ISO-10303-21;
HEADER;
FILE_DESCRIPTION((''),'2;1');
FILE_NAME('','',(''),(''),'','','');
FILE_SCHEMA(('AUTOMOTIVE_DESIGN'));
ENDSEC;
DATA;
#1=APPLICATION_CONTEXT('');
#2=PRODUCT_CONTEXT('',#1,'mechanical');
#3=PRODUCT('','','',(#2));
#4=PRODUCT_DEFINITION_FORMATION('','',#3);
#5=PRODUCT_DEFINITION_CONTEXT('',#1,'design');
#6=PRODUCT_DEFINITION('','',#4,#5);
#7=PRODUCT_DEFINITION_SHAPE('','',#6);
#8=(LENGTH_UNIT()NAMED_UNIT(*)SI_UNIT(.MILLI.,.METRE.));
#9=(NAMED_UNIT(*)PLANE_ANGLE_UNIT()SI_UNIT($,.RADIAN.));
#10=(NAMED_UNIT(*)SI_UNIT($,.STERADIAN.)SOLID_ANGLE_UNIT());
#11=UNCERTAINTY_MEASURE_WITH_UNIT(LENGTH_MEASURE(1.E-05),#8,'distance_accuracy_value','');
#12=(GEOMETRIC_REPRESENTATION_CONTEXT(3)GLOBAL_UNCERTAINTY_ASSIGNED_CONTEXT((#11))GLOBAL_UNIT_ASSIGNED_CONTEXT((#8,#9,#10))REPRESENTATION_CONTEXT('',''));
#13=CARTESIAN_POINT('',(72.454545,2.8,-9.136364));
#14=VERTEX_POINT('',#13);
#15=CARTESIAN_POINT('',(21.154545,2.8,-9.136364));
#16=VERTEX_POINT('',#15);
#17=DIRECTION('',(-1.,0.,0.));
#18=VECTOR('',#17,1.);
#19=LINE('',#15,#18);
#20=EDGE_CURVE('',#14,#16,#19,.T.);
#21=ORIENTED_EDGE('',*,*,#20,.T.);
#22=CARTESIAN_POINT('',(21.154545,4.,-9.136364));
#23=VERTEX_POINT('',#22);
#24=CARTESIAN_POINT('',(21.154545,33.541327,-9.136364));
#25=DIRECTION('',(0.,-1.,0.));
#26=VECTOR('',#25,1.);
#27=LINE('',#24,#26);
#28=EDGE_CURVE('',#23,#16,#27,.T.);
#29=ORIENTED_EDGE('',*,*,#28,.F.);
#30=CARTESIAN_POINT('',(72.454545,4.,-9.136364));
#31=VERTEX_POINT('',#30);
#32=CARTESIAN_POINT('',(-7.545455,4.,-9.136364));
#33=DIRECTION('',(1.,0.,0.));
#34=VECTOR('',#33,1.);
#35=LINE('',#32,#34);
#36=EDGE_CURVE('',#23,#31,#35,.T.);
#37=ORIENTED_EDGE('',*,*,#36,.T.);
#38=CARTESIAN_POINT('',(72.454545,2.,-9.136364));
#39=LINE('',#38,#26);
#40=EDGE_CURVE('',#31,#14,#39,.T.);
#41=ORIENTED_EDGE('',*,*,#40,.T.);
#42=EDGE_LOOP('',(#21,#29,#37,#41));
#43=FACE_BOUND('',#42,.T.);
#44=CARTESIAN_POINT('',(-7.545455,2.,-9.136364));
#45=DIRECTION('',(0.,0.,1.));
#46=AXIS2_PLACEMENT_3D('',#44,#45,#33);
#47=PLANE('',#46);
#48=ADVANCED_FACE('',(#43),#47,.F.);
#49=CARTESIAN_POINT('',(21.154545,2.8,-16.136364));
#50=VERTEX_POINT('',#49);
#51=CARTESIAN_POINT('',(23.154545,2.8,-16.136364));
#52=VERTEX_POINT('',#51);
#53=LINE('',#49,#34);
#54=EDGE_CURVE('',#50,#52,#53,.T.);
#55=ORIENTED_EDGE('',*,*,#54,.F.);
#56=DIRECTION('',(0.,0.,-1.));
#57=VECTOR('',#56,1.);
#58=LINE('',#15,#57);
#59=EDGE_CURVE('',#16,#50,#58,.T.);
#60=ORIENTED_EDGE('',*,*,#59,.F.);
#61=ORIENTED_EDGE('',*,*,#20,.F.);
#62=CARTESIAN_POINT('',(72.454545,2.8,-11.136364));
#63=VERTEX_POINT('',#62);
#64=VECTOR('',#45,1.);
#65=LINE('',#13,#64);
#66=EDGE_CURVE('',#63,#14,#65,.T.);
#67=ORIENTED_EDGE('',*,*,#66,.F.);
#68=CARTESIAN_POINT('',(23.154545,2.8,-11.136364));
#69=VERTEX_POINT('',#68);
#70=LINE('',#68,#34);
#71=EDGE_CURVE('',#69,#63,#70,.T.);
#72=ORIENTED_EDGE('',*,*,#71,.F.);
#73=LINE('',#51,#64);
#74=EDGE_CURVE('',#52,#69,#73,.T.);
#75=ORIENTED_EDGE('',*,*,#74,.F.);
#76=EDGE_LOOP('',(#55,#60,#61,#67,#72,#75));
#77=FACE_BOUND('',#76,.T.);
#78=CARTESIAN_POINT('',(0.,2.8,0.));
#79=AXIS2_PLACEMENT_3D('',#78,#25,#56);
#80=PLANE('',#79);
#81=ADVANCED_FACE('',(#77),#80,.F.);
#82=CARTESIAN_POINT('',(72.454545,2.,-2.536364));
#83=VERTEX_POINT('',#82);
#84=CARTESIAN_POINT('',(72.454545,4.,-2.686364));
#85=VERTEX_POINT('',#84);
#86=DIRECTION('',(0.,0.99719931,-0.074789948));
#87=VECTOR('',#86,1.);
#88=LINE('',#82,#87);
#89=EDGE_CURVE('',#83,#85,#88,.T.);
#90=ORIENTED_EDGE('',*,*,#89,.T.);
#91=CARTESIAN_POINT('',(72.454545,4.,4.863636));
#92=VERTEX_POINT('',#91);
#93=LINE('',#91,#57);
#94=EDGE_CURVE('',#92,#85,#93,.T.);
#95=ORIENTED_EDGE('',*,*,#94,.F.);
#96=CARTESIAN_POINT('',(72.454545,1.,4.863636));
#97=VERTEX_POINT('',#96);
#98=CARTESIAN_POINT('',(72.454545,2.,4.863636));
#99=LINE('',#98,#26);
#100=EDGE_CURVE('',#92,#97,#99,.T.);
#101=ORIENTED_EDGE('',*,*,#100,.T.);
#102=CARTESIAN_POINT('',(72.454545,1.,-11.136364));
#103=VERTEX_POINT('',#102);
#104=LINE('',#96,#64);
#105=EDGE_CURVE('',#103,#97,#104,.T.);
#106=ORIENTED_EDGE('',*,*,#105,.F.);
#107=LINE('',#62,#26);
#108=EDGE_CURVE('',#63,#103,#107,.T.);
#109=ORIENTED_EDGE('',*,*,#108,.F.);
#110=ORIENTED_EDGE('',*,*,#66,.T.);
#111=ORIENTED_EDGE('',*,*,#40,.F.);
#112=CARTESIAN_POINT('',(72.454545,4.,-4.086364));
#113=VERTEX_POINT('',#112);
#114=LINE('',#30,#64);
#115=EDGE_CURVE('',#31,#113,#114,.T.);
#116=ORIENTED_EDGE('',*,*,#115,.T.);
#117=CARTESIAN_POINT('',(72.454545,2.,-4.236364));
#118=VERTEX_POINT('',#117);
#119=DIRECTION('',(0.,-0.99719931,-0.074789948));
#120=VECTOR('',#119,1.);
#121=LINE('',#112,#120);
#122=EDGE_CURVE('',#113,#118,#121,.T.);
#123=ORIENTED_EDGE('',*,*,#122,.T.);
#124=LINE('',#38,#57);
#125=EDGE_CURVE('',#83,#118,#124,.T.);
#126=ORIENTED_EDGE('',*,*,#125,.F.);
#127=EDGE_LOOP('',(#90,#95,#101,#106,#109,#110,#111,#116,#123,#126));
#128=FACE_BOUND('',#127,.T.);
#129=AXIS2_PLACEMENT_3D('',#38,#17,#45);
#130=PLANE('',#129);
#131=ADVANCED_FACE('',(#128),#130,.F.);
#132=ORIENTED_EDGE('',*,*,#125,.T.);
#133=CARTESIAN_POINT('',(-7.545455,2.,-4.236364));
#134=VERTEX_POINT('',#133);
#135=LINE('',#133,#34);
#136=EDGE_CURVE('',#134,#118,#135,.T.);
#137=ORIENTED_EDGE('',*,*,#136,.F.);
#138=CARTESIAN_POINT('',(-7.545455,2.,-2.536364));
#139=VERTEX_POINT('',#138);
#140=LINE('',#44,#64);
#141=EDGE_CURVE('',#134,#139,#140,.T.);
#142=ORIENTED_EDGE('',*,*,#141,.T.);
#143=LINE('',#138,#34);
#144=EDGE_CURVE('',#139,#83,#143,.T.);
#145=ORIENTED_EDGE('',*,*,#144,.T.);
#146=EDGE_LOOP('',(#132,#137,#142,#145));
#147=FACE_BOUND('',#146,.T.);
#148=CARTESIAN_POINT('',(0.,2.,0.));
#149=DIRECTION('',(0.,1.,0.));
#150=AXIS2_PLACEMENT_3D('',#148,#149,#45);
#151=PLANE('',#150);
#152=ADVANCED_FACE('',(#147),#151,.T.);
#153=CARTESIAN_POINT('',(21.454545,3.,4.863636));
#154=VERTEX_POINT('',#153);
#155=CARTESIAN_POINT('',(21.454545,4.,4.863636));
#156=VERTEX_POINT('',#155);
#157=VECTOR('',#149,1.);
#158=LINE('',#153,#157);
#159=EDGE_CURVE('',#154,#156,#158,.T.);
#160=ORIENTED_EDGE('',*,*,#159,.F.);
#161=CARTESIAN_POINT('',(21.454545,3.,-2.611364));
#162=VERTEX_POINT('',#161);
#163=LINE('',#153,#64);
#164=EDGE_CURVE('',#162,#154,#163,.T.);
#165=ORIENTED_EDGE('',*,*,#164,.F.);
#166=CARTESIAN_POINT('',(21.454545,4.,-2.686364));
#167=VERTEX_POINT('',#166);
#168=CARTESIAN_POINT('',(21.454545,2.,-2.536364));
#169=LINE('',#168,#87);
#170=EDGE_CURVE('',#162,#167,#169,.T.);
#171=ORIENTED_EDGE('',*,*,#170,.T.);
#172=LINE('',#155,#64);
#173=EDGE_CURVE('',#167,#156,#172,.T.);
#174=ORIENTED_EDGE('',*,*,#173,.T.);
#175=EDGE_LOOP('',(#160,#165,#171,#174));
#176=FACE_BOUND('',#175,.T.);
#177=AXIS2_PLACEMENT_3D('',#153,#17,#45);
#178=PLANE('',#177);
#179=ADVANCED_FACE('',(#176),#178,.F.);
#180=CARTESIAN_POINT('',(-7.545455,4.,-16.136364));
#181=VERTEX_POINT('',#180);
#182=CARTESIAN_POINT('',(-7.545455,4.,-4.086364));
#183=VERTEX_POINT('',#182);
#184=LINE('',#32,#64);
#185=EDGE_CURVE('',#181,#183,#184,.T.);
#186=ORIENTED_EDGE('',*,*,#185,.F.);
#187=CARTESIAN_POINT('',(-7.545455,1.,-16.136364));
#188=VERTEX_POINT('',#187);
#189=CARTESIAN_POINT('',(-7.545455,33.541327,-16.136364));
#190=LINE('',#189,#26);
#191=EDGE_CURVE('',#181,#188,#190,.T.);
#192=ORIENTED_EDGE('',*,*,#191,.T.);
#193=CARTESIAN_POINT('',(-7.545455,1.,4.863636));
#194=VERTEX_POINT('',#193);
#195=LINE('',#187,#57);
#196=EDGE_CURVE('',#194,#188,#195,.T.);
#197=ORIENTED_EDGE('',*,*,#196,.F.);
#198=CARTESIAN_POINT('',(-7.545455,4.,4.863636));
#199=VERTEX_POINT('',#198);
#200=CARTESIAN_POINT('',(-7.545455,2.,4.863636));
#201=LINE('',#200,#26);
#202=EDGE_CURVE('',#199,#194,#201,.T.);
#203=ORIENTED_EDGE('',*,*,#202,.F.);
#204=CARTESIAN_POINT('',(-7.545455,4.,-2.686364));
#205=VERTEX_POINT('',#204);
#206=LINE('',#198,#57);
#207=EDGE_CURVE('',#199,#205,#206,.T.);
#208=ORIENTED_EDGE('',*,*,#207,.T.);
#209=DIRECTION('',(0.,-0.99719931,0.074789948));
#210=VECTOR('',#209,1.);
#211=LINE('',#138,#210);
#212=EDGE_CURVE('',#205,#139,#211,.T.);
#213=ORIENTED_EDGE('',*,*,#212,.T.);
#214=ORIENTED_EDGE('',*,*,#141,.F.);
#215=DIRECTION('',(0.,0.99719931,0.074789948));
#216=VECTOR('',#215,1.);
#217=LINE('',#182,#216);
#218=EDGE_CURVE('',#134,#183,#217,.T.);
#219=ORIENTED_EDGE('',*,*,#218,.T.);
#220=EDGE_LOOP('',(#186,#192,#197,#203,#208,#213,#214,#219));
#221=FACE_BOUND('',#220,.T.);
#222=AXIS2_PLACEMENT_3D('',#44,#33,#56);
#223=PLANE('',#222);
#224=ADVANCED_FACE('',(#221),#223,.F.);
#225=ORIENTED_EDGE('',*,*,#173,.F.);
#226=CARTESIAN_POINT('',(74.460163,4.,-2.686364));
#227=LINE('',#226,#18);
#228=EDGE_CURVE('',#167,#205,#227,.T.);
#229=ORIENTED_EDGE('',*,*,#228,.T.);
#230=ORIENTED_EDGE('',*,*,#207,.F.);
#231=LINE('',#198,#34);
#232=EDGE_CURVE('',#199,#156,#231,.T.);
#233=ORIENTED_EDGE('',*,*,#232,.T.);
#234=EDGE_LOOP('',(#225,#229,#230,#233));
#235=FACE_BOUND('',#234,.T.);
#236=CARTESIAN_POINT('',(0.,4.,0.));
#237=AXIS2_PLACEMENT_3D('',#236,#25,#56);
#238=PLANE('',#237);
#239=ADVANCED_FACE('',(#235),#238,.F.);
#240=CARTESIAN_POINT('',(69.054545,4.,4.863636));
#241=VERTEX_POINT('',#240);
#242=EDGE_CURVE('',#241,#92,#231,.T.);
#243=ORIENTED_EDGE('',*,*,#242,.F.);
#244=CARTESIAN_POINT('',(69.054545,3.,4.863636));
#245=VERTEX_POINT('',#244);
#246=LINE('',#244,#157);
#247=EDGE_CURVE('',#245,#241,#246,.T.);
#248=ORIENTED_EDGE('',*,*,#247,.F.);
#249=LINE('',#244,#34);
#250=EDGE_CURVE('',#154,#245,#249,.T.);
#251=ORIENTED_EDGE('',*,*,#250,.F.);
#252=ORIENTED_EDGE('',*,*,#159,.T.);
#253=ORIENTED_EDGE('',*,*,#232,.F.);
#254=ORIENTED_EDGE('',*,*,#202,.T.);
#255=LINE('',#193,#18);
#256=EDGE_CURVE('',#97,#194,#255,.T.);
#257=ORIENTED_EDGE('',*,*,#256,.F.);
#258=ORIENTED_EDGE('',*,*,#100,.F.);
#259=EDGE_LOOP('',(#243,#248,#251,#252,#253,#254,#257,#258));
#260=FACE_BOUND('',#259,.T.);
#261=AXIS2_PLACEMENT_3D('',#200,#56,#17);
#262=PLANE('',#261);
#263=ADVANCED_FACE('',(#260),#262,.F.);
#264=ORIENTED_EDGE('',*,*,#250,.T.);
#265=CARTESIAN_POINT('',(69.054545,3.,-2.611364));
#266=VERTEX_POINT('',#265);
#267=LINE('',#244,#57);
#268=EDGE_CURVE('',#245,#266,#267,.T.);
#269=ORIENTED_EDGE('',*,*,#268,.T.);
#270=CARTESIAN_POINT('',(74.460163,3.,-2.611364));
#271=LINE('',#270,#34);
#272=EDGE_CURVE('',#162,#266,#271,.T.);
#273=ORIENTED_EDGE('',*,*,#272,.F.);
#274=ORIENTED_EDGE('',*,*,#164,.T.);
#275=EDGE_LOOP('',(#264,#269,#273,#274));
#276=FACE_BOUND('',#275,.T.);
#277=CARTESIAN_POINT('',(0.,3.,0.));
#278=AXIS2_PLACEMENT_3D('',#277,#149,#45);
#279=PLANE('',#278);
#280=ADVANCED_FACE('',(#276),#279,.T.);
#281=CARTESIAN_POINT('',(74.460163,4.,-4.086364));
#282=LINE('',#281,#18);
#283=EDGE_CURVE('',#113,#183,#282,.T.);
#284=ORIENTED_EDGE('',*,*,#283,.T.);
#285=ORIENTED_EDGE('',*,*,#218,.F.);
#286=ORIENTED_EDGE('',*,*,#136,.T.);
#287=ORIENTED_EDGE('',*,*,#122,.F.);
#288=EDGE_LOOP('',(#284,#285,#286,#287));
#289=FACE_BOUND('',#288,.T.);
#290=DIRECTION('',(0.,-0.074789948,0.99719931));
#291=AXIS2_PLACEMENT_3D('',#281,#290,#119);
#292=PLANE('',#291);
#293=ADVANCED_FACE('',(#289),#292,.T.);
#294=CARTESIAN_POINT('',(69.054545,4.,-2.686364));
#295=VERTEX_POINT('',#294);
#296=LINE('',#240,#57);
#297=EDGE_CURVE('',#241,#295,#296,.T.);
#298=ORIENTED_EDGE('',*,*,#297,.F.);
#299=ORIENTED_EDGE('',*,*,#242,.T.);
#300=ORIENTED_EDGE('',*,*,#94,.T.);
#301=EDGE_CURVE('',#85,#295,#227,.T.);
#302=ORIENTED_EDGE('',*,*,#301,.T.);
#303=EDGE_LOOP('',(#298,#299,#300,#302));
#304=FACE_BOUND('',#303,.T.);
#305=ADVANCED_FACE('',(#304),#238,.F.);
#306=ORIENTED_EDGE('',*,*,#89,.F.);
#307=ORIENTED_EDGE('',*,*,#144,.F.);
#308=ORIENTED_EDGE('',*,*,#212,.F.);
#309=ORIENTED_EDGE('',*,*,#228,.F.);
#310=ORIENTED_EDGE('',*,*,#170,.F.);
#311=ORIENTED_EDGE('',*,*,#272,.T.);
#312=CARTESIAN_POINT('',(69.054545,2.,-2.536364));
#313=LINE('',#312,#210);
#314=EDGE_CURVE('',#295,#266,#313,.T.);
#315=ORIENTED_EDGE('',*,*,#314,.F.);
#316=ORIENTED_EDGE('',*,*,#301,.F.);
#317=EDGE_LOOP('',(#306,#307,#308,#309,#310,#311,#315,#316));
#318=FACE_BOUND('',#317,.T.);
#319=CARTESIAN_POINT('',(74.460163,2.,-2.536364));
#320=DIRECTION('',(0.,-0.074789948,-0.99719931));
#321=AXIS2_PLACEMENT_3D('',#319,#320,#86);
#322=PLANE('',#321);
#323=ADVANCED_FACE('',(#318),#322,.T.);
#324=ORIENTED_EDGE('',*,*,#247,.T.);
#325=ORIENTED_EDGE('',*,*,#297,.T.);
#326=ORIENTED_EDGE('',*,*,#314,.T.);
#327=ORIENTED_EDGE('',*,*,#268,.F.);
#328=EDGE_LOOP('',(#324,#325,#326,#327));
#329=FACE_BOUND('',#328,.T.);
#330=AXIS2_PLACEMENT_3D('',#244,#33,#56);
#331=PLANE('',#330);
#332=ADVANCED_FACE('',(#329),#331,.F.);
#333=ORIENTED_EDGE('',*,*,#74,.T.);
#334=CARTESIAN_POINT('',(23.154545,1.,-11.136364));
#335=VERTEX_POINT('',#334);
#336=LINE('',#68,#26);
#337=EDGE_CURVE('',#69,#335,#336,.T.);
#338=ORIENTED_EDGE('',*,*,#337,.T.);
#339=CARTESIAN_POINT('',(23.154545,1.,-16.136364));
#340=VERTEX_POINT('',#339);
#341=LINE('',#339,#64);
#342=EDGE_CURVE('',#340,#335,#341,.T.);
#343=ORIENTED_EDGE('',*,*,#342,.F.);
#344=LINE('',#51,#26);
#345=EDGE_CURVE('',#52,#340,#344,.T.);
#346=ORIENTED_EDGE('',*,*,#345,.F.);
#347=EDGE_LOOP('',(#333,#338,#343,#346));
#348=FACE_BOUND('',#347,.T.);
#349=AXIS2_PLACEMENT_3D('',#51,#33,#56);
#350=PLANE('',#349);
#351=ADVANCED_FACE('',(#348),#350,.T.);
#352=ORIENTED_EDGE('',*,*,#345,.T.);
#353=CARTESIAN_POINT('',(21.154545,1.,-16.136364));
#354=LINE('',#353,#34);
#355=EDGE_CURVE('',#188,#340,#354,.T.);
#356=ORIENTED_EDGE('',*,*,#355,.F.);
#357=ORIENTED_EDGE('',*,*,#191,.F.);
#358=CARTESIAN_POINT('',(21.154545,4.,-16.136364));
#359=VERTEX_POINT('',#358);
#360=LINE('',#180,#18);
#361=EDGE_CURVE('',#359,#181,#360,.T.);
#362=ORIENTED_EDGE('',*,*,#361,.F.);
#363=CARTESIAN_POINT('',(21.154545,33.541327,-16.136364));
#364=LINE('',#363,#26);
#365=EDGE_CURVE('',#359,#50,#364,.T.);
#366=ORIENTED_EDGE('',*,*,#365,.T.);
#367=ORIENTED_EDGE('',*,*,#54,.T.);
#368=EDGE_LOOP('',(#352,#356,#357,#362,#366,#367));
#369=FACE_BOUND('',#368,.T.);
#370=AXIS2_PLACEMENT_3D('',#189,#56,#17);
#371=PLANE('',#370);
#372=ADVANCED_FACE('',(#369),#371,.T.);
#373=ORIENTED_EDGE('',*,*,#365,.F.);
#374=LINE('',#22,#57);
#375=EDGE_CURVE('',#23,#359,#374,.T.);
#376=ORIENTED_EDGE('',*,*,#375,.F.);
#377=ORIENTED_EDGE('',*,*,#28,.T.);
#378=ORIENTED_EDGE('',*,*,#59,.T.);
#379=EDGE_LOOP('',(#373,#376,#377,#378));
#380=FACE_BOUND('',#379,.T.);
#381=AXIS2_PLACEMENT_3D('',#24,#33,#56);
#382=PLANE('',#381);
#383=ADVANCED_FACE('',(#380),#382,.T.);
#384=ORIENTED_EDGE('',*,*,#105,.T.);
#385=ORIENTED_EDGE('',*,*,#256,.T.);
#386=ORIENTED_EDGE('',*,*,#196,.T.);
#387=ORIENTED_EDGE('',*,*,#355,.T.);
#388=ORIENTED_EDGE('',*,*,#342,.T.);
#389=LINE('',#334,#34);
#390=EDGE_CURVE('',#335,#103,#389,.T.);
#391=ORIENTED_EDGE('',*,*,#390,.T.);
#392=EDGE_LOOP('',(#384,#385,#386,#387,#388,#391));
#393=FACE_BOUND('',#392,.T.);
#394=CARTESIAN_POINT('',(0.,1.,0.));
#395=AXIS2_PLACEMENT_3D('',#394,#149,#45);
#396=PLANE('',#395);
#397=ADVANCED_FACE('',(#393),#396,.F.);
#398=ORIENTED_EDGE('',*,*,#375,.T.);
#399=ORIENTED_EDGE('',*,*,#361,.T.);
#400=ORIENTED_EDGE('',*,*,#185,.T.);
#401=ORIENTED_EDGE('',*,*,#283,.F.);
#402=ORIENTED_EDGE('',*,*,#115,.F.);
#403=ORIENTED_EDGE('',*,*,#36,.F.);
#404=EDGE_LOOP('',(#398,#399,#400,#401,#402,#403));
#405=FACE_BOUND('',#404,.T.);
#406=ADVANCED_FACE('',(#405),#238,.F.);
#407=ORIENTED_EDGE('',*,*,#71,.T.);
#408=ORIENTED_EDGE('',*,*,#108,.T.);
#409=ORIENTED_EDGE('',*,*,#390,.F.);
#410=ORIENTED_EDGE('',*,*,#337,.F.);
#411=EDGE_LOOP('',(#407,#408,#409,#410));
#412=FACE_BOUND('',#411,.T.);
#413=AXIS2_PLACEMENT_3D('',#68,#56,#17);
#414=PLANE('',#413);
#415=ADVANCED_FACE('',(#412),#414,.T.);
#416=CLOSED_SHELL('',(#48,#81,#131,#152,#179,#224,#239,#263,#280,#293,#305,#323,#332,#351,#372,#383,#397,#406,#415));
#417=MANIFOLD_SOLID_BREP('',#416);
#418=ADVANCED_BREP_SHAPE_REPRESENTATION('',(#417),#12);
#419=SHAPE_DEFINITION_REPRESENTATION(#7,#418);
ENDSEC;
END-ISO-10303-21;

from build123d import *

# Parameters (mm, degrees)
SKETCH1_W           = 80
SKETCH1_H           = 14
BOSS_EXTRUDE1_DEPTH = 2
SKETCH2_W           = 80
SKETCH2_H           = 7.4
SKETCH2_H_2         = 4.9
BOSS_EXTRUDE2_DEPTH = 2
SKETCH3_W           = 28.7
SKETCH3_H           = 7
BOSS_EXTRUDE3_DEPTH = 4
BOSS_EXTRUDE4_DEPTH = 80
CUT_EXTRUDE1_DEPTH  = 1
BOSS_EXTRUDE5_DEPTH = 1.8
SKETCH7_W           = 47.6
SKETCH7_H           = 7.55
CUT_EXTRUDE2_DEPTH  = 1


with BuildPart() as part:
    # Sketch1 → Boss-Extrude1 (new body)
    with BuildSketch(Plane(origin=(0, 0, 0), x_dir=(1, 0, 0), z_dir=(0, 1, 0))):
        with Locations((32.454545455, 2.136363636)):
            Rectangle(SKETCH1_W, SKETCH1_H)
    extrude(amount=BOSS_EXTRUDE1_DEPTH)

    # Sketch2 → Boss-Extrude2 (add)
    with BuildSketch(Plane(origin=(0, 2, 0), x_dir=(1, 0, 0), z_dir=(0, 1, 0))):
        with Locations((32.454545455, -1.163636364)):
            Rectangle(SKETCH2_W, SKETCH2_H)
        with Locations((32.454545455, 6.686363636)):
            Rectangle(SKETCH2_W, SKETCH2_H_2)
    extrude(amount=BOSS_EXTRUDE2_DEPTH)

    # Sketch3 → Boss-Extrude3 (add)
    with BuildSketch(Plane.XZ):
        with Locations((6.804545455, -12.636363636)):
            Rectangle(SKETCH3_W, SKETCH3_H)
    extrude(amount=-BOSS_EXTRUDE3_DEPTH)

    # Sketch4 → Boss-Extrude4 (add)
    with BuildSketch(Plane.ZY.offset(7.545454545)):
        Polygon((-2.536363636, 2), (-2.686363636, 4), (-2.536363636, 4), align=None)
        Polygon((-4.236363636, 2), (-4.236363636, 4), (-4.086363636, 4), align=None)
    extrude(amount=-BOSS_EXTRUDE4_DEPTH)

    # Sketch5 → Cut-Extrude1 (cut)
    with BuildSketch(Plane.XZ):
        Polygon((-7.545454545, 4.863636364), (72.454545455, 4.863636364), (72.454545455, -9.136363636), (21.154545455, -9.136363636), (21.154545455, -16.136363636), (-7.545454545, -16.136363636), align=None)
    extrude(amount=-CUT_EXTRUDE1_DEPTH, mode=Mode.SUBTRACT)

    # Sketch6 → Boss-Extrude5 (add)
    with BuildSketch(Plane.XZ.offset(-1)):
        Polygon((21.154545455, -9.136363636), (72.454545455, -9.136363636), (72.454545455, -11.136363636), (23.154545455, -11.136363636), (23.154545455, -16.136363636), (21.154545455, -16.136363636), (21.154545455, -11.136363636), align=None)
    extrude(amount=-BOSS_EXTRUDE5_DEPTH)

    # Sketch7 → Cut-Extrude2 (cut)
    with BuildSketch(Plane(origin=(0, 4, 0), x_dir=(1, 0, 0), z_dir=(0, 1, 0))):
        with Locations((45.254545455, -1.088636364)):
            Rectangle(SKETCH7_W, SKETCH7_H)
    extrude(amount=-CUT_EXTRUDE2_DEPTH, mode=Mode.SUBTRACT)


solid = part.part
